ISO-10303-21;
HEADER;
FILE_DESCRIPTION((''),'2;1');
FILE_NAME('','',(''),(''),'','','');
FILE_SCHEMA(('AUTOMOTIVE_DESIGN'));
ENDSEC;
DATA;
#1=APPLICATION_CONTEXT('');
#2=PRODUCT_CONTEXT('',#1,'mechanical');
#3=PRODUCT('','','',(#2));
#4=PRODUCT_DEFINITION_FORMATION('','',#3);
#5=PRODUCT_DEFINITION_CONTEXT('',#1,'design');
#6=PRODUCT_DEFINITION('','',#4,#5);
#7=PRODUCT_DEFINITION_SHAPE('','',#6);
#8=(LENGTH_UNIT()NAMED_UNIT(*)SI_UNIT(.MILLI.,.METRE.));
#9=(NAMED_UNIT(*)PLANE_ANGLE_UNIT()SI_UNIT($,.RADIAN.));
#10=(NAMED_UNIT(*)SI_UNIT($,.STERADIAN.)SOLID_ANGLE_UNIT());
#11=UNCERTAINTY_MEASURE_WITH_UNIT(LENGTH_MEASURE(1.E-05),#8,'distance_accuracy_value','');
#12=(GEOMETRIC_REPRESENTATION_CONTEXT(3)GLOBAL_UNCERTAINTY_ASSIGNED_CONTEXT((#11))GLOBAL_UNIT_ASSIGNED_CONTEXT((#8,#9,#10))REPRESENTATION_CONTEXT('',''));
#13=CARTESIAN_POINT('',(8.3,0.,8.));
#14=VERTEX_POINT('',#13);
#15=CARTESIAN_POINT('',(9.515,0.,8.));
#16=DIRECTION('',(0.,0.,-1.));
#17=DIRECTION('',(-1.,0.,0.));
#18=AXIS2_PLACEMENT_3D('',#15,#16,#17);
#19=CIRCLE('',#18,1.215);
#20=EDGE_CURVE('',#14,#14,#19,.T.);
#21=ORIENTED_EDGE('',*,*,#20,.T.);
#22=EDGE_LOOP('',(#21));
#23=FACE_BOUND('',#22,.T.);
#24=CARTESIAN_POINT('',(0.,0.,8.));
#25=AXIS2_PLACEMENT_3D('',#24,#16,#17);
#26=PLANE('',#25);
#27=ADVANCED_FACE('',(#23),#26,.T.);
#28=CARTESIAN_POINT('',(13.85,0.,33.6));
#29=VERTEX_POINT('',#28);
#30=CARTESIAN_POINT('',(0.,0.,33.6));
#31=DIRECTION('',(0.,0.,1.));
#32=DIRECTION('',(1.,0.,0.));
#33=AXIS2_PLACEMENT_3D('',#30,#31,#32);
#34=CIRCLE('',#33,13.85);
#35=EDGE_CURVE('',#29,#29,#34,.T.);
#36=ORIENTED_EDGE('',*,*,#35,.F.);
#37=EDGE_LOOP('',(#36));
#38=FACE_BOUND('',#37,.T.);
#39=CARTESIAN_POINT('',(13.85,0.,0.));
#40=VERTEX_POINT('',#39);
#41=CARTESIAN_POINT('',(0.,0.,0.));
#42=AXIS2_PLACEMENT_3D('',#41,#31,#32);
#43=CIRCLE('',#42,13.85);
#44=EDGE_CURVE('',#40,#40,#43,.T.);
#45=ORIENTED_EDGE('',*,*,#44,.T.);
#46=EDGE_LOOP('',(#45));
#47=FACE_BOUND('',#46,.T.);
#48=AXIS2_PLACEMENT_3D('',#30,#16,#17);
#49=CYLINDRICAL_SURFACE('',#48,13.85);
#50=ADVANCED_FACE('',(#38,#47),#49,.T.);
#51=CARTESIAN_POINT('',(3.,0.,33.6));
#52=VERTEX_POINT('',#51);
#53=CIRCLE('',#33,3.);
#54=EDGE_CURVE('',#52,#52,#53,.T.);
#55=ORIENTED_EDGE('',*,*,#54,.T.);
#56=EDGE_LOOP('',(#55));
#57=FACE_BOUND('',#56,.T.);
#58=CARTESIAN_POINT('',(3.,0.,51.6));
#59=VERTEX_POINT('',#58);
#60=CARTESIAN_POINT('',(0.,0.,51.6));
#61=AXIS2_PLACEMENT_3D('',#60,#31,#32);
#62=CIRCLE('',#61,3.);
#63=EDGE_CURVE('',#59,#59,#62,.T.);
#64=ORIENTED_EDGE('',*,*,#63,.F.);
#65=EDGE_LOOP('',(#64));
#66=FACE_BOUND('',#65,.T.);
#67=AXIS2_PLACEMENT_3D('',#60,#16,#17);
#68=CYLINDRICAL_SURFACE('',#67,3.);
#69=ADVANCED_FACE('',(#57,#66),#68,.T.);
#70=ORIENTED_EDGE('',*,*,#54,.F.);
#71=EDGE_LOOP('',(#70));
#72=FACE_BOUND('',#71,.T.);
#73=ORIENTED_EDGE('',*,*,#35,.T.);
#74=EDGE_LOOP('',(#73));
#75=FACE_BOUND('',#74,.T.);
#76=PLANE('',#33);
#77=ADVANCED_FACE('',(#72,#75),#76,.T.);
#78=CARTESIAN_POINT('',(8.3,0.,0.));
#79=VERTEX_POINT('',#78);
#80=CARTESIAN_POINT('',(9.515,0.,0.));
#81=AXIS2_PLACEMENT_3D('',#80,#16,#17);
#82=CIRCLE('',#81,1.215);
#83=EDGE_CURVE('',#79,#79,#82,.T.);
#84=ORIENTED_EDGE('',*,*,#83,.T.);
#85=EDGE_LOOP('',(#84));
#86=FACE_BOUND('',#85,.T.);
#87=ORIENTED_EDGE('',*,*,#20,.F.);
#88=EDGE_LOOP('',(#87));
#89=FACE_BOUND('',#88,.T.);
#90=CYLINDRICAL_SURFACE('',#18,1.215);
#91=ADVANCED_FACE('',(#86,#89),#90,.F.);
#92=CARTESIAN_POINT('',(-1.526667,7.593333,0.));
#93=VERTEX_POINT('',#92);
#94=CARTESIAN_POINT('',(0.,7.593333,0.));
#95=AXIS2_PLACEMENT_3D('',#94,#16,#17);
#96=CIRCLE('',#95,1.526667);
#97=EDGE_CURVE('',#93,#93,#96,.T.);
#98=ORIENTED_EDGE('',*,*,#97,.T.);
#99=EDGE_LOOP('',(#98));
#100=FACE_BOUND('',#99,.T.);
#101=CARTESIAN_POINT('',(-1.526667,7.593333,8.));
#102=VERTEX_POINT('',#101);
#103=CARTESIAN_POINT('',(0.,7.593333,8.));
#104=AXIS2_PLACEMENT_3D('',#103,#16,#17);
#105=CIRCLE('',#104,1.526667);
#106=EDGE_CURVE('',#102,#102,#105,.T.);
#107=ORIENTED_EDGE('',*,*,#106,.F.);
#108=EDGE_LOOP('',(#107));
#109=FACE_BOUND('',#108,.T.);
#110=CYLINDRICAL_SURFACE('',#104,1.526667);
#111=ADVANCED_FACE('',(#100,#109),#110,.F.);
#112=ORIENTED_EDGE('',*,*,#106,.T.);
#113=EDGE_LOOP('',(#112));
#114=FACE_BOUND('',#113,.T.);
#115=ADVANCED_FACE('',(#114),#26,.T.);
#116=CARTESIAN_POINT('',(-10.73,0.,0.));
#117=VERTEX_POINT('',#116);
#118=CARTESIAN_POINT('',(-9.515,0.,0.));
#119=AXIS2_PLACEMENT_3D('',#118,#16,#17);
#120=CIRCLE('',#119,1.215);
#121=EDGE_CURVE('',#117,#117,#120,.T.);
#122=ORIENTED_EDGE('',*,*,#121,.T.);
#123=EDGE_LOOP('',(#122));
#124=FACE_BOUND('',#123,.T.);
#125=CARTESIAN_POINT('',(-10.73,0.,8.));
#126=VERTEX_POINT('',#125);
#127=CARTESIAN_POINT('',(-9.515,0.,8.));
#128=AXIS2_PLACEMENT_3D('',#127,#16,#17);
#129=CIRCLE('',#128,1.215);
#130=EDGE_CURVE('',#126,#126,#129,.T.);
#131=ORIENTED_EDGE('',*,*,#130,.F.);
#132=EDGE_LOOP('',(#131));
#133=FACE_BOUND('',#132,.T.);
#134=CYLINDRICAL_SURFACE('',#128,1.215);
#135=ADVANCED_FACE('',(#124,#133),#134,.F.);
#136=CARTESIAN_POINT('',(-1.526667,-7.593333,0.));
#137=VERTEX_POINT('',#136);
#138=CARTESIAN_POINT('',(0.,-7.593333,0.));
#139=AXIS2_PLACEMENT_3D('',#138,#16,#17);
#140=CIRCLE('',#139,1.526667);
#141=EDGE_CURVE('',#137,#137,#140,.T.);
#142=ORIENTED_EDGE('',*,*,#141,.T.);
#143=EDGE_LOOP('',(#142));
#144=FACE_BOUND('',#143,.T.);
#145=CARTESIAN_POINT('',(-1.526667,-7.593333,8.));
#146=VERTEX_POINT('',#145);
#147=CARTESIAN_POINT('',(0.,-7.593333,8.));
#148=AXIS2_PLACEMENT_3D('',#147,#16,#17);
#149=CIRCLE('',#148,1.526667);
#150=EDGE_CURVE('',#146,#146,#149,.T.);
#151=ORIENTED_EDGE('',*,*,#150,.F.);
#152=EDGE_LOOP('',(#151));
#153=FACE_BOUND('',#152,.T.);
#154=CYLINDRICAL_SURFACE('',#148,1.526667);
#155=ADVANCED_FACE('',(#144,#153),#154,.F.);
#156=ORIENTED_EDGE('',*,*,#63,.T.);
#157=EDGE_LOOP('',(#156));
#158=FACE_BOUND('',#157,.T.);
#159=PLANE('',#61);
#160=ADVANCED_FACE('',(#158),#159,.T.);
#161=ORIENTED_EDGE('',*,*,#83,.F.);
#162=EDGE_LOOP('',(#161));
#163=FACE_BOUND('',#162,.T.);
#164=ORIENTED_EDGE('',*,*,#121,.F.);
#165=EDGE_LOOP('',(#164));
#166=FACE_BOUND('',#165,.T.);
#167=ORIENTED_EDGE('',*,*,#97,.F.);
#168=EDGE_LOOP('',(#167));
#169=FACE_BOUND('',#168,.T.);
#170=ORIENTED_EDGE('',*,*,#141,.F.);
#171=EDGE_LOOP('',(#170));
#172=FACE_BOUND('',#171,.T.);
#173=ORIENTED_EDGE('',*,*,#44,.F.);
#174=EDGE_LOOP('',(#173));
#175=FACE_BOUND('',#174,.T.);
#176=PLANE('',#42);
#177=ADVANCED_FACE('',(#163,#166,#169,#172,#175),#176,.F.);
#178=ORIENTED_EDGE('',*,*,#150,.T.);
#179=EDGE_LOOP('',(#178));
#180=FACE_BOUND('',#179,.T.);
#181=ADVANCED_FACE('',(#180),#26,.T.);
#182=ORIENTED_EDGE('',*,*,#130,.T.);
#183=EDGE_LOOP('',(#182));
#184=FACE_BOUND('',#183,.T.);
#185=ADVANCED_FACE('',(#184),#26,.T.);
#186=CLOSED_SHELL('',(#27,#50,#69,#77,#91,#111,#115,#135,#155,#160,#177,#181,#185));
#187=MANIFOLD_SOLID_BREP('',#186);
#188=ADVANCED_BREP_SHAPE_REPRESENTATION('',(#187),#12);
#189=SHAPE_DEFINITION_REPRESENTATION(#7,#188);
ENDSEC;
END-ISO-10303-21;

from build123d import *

# Parameters (mm, degrees)
SKETCH1_R           = 13.85
BOSS_EXTRUDE1_DEPTH = 33.6
SKETCH2_R           = 3
BOSS_EXTRUDE2_DEPTH = 18
SKETCH4_R           = 1.215
SKETCH4_R_2         = 1.526666667
CUT_EXTRUDE1_DEPTH  = 8


with BuildPart() as part:
    # Sketch1 → Boss-Extrude1 (new body)
    with BuildSketch(Plane.XY):
        Circle(SKETCH1_R)
    extrude(amount=BOSS_EXTRUDE1_DEPTH)

    # Sketch2 → Boss-Extrude2 (add)
    with BuildSketch(Plane.XY.offset(33.6)):
        Circle(SKETCH2_R)
    extrude(amount=BOSS_EXTRUDE2_DEPTH)

    # Sketch4 → Cut-Extrude1 (cut)
    with BuildSketch(Plane(origin=(0, 0, 0), x_dir=(-1, 0, 0), z_dir=(0, 0, -1))):
        with Locations((-9.515, 0)):
            Circle(SKETCH4_R)
        with Locations((9.515, 0)):
            Circle(SKETCH4_R)
        with Locations((0, 7.593333333)):
            Circle(SKETCH4_R_2)
        with Locations((0, -7.593333333)):
            Circle(SKETCH4_R_2)
    extrude(amount=-CUT_EXTRUDE1_DEPTH, mode=Mode.SUBTRACT)


solid = part.part
